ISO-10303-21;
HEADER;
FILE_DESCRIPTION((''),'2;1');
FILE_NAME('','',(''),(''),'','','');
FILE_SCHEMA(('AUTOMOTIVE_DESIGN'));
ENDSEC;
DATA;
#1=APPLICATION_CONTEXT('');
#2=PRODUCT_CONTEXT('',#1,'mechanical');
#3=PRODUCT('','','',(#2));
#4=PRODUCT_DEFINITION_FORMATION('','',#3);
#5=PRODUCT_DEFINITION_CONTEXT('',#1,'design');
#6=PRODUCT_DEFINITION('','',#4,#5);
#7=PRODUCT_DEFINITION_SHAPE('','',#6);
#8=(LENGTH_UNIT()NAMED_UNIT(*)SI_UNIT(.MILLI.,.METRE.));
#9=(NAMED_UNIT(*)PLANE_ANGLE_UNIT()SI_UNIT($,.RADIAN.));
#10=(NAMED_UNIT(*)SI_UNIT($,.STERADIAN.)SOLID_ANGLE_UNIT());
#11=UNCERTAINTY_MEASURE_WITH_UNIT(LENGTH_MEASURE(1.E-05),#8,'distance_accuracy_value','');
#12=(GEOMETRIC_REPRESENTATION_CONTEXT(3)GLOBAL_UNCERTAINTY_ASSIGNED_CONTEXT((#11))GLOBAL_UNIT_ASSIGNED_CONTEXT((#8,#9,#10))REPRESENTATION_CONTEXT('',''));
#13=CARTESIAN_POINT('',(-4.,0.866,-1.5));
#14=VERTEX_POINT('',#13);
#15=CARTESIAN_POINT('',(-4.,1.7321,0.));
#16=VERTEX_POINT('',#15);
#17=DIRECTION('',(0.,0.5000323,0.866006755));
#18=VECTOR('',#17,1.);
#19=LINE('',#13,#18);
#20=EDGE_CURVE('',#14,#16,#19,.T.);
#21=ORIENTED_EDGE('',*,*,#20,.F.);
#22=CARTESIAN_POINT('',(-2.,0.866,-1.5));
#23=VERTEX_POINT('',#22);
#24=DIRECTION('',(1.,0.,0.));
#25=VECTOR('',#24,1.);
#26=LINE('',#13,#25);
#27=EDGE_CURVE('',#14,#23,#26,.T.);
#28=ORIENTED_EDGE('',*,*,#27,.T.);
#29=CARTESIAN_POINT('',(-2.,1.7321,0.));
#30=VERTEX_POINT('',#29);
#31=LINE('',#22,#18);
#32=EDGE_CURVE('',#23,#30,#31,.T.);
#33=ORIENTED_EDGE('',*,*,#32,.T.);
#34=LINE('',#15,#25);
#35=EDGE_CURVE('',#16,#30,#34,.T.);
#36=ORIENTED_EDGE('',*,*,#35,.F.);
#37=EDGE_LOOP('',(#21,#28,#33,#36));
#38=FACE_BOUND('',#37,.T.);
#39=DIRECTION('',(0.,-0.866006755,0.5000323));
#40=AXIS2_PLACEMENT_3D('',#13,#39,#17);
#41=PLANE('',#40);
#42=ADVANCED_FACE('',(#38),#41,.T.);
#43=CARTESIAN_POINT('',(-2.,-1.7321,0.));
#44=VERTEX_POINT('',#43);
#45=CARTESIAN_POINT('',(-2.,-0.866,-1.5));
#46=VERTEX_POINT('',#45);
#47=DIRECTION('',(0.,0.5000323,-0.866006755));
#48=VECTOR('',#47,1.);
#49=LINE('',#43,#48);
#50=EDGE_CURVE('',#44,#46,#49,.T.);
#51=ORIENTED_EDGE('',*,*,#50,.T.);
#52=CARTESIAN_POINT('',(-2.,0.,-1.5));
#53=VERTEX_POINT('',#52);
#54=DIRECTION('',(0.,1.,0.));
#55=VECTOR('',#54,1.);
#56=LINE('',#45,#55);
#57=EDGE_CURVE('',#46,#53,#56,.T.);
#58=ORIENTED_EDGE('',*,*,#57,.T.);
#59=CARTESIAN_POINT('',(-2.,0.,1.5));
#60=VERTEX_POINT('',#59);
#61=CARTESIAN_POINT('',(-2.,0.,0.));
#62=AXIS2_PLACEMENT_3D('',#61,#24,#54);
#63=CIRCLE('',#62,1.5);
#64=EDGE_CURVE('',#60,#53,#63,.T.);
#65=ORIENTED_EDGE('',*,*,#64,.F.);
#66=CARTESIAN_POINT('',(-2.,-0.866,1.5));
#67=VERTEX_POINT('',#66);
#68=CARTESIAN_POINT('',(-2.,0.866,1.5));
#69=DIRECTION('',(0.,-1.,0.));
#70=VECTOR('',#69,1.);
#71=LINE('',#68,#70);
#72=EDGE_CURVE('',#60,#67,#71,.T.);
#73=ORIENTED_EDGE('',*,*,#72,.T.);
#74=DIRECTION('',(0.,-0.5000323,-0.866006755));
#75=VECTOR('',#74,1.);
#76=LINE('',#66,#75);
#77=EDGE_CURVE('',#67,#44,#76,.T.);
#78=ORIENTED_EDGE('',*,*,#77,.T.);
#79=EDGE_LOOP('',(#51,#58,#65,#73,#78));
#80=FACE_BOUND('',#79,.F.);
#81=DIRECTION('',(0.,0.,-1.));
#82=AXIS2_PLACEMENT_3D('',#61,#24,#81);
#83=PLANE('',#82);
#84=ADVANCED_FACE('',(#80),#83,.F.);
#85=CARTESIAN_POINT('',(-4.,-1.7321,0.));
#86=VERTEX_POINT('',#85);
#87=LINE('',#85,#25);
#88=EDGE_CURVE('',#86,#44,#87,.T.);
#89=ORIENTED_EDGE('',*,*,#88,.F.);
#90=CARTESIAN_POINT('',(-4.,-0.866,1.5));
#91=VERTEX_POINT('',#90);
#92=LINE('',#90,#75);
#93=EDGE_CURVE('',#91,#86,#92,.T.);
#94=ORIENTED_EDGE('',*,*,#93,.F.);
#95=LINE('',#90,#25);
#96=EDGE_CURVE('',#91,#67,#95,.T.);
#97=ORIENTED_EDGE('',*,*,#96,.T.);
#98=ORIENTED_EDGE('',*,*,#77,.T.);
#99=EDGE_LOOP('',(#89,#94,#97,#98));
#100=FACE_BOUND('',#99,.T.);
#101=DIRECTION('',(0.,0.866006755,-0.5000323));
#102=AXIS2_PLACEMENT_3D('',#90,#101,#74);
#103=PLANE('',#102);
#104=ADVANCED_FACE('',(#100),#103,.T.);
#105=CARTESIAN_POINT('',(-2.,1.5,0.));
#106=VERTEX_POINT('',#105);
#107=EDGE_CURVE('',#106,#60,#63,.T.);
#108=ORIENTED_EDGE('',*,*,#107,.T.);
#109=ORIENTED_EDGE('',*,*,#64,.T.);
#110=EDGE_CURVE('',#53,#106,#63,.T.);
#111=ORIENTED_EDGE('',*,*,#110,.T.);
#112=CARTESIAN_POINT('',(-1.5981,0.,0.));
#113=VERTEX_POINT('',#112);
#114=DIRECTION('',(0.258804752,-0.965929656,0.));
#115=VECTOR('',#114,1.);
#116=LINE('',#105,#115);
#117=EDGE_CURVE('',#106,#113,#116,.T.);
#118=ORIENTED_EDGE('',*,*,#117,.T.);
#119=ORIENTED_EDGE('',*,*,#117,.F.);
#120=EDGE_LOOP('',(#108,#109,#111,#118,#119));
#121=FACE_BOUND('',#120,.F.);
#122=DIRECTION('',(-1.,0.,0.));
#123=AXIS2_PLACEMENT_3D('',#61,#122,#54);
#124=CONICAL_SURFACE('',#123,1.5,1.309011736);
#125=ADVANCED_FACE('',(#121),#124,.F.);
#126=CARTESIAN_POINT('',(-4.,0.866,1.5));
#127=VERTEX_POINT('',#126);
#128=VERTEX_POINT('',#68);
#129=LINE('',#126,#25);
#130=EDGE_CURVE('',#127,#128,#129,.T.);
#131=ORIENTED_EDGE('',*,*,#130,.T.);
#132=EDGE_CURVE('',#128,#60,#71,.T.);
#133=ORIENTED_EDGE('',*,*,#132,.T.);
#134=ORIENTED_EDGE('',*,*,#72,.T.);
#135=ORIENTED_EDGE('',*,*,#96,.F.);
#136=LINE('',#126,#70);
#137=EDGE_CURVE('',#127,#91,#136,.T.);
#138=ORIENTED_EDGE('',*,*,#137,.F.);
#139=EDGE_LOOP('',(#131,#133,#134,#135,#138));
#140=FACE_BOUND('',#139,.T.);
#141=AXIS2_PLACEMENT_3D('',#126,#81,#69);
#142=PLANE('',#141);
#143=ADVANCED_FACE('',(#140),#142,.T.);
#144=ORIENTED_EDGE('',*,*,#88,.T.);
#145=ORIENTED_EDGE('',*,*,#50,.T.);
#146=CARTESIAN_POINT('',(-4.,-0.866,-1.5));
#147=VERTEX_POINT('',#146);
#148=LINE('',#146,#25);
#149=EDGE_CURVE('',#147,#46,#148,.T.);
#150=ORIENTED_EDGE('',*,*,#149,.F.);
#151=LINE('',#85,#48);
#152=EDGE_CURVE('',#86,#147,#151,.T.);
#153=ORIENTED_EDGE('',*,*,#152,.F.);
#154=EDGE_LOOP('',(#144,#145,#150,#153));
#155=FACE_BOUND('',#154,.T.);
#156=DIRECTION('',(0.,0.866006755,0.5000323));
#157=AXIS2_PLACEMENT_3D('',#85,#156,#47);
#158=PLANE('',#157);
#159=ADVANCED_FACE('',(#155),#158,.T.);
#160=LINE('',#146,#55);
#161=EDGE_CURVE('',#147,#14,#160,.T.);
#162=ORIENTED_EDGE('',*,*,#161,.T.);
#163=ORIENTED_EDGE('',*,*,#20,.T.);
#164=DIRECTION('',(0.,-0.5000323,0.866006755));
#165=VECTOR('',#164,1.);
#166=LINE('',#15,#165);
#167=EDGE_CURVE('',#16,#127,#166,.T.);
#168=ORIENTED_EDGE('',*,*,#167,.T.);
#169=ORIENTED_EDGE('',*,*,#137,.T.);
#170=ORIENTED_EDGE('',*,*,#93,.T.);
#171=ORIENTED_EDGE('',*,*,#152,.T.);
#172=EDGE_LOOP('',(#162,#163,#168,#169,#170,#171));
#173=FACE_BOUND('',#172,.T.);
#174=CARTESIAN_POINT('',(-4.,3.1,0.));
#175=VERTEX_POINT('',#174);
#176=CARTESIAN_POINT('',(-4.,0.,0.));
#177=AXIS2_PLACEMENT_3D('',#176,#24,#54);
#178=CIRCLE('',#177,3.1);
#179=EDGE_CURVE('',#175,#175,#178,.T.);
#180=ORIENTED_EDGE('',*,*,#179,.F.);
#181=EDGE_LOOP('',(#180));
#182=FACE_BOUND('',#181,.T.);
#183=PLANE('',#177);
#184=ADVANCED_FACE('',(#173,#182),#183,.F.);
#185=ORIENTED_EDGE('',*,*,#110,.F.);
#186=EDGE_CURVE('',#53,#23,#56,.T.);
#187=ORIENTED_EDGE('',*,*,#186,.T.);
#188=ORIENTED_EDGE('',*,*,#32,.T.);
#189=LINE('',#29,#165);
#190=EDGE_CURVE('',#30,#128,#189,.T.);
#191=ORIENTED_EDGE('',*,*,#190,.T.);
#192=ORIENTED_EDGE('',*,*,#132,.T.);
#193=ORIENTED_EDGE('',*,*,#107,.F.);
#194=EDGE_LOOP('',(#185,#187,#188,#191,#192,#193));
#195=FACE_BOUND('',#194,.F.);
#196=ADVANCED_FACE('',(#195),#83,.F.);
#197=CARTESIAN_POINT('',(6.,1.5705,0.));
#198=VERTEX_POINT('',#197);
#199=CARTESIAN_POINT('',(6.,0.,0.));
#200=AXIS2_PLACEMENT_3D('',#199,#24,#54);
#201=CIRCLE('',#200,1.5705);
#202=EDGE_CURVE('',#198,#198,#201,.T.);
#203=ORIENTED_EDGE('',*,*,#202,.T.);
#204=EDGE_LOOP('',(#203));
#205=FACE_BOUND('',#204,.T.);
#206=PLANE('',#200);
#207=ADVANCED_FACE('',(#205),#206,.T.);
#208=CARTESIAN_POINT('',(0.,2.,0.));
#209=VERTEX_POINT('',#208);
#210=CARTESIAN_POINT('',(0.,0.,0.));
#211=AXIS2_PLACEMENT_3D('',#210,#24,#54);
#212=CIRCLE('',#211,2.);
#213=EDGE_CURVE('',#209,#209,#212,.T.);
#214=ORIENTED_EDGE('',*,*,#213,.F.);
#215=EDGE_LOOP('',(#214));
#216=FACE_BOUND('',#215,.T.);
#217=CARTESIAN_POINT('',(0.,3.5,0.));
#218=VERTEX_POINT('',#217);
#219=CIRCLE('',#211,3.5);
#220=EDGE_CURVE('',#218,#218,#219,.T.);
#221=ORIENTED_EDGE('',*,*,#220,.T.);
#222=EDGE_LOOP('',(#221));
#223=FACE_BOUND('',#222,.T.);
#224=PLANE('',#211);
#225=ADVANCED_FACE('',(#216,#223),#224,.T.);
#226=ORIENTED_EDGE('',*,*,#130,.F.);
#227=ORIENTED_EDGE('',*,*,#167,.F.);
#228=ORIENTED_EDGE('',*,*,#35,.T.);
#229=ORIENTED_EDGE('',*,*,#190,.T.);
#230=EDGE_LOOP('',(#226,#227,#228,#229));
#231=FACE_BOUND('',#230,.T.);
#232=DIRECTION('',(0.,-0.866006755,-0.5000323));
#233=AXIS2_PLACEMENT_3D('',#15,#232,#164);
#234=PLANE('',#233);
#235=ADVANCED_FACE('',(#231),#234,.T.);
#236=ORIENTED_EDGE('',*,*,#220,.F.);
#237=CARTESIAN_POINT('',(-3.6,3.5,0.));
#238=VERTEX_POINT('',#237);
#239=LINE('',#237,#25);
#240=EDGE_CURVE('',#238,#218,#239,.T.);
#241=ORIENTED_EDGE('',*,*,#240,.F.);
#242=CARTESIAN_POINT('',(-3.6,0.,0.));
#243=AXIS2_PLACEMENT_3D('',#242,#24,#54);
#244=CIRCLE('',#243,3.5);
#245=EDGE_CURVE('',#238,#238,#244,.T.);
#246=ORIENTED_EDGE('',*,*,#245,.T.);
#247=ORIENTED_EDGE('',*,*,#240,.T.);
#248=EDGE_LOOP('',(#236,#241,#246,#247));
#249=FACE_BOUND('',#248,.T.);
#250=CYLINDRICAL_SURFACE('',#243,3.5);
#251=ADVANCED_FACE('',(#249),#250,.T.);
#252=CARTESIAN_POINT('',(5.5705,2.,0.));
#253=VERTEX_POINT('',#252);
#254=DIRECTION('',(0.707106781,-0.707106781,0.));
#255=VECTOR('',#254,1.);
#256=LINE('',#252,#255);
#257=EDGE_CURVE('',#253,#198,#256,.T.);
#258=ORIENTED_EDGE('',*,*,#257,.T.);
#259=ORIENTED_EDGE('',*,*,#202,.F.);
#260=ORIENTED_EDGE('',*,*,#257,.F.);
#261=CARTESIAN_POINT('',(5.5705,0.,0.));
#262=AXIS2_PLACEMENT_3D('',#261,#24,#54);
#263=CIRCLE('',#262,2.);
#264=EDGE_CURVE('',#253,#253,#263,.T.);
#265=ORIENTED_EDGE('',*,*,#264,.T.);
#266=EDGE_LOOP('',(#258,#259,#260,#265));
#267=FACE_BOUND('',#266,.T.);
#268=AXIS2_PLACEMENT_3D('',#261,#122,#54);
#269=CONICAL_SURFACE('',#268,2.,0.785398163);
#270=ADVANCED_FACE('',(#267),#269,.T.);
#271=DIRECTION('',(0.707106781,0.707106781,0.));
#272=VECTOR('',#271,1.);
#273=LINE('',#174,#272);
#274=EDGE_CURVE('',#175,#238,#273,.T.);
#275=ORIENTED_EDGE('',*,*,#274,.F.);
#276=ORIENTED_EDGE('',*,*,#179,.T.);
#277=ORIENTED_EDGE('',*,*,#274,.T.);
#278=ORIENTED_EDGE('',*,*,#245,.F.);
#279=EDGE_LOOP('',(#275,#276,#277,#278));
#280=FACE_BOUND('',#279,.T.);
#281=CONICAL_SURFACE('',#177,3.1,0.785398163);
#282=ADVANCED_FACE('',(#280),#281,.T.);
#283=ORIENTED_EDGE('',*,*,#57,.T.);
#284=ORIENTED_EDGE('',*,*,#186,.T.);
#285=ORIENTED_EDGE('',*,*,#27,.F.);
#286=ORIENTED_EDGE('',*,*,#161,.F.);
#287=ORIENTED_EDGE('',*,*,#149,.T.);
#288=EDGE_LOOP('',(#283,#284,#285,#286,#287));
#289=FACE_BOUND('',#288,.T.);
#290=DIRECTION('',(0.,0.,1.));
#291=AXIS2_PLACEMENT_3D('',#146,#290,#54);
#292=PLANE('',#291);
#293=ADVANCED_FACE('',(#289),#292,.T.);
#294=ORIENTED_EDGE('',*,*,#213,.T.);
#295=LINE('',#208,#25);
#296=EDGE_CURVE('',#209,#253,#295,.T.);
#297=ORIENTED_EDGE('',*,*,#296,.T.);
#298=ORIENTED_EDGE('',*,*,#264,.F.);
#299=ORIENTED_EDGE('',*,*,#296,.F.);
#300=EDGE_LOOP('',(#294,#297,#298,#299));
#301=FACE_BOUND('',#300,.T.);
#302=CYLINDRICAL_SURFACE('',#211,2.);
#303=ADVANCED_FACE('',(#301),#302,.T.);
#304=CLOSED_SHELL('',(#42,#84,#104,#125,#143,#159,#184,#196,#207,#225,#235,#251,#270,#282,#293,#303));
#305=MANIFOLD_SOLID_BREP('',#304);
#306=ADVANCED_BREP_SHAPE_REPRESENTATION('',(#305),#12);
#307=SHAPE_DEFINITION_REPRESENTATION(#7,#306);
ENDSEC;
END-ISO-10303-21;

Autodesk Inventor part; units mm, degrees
sketch "Sketch_1" plane through (0, 0, 0) normal (0, 0, 1) x (1, 0, 0)
  line L0 (6, 0) -> (-4, 0)
  line L1 (-4, 0) -> (-4, 3.1)
  line L2 (-4, 3.1) -> (-3.6, 3.5)
  line L3 (-3.6, 3.5) -> (0, 3.5)
  line L4 (0, 3.5) -> (0, 2)
  line L5 (0, 2) -> (5.5705, 2)
  line L6 (5.5705, 2) -> (6, 1.5705)
  line L7 (6, 1.5705) -> (6, 0)
  line L8 (6, 0) -> (-4, 0)
revolve "Revolution1" add sketch "Sketch_1" angle 360 about axis through (6, 0, 0) along (1, 0, 0)
thread "Thread1" size "M4x0.7" class "6g" standard "ISO Metric profile" length 5.3 offset 0.7
sketch "Sketch_4" plane through (0, 0, 0) normal (0, 0, 1) x (1, 0, 0)
  line L0 (-1.5981, 0) -> (-4, 0)
  line L1 (-4, 0) -> (-4, 1.5)
  line L2 (-4, 1.5) -> (-2, 1.5)
  line L3 (-2, 1.5) -> (-1.5981, 0)
  line L4 (-1.5981, 0) -> (-4, 0)
revolve "Revolution2" cut sketch "Sketch_4" angle 360 about axis through (-1.5981, 0, 0) along (1, 0, 0)
sketch "Sketch_3" plane through (-4, 0, 0) normal (1, 0, 0) x (0, 0, -1)
  line L0 (-1.5, 0.866) -> (-1.5, -0.866)
  line L1 (-1.5, -0.866) -> (0, -1.7321)
  line L2 (0, -1.7321) -> (1.5, -0.866)
  line L3 (1.5, -0.866) -> (1.5, 0.866)
  line L4 (1.5, 0.866) -> (0, 1.7321)
  line L5 (0, 1.7321) -> (-1.5, 0.866)
extrude "Extrusion1" cut sketch "Sketch_3" along normal blind 2
ref_plane "nut_XY" through (6, 0, 0) normal (1, 0, 0) x (0, 0, -1)
ref_plane "nut_YZ" through (6, 0, 0) normal (0, 0, -1) x (0, 1, 0)
ref_plane "nut_ZX" through (6, 0, 0) normal (0, 1, 0) x (1, 0, 0)
ref_plane "bolt_XY" through (0, 0, 0) normal (1, 0, 0) x (0, 0, -1)
ref_plane "bolt_YZ" through (0, 0, 0) normal (0, 0, -1) x (0, 1, 0)
ref_plane "bolt_ZX" through (0, 0, 0) normal (0, 1, 0) x (1, 0, 0)
properties part number "SCB4-6_1"
